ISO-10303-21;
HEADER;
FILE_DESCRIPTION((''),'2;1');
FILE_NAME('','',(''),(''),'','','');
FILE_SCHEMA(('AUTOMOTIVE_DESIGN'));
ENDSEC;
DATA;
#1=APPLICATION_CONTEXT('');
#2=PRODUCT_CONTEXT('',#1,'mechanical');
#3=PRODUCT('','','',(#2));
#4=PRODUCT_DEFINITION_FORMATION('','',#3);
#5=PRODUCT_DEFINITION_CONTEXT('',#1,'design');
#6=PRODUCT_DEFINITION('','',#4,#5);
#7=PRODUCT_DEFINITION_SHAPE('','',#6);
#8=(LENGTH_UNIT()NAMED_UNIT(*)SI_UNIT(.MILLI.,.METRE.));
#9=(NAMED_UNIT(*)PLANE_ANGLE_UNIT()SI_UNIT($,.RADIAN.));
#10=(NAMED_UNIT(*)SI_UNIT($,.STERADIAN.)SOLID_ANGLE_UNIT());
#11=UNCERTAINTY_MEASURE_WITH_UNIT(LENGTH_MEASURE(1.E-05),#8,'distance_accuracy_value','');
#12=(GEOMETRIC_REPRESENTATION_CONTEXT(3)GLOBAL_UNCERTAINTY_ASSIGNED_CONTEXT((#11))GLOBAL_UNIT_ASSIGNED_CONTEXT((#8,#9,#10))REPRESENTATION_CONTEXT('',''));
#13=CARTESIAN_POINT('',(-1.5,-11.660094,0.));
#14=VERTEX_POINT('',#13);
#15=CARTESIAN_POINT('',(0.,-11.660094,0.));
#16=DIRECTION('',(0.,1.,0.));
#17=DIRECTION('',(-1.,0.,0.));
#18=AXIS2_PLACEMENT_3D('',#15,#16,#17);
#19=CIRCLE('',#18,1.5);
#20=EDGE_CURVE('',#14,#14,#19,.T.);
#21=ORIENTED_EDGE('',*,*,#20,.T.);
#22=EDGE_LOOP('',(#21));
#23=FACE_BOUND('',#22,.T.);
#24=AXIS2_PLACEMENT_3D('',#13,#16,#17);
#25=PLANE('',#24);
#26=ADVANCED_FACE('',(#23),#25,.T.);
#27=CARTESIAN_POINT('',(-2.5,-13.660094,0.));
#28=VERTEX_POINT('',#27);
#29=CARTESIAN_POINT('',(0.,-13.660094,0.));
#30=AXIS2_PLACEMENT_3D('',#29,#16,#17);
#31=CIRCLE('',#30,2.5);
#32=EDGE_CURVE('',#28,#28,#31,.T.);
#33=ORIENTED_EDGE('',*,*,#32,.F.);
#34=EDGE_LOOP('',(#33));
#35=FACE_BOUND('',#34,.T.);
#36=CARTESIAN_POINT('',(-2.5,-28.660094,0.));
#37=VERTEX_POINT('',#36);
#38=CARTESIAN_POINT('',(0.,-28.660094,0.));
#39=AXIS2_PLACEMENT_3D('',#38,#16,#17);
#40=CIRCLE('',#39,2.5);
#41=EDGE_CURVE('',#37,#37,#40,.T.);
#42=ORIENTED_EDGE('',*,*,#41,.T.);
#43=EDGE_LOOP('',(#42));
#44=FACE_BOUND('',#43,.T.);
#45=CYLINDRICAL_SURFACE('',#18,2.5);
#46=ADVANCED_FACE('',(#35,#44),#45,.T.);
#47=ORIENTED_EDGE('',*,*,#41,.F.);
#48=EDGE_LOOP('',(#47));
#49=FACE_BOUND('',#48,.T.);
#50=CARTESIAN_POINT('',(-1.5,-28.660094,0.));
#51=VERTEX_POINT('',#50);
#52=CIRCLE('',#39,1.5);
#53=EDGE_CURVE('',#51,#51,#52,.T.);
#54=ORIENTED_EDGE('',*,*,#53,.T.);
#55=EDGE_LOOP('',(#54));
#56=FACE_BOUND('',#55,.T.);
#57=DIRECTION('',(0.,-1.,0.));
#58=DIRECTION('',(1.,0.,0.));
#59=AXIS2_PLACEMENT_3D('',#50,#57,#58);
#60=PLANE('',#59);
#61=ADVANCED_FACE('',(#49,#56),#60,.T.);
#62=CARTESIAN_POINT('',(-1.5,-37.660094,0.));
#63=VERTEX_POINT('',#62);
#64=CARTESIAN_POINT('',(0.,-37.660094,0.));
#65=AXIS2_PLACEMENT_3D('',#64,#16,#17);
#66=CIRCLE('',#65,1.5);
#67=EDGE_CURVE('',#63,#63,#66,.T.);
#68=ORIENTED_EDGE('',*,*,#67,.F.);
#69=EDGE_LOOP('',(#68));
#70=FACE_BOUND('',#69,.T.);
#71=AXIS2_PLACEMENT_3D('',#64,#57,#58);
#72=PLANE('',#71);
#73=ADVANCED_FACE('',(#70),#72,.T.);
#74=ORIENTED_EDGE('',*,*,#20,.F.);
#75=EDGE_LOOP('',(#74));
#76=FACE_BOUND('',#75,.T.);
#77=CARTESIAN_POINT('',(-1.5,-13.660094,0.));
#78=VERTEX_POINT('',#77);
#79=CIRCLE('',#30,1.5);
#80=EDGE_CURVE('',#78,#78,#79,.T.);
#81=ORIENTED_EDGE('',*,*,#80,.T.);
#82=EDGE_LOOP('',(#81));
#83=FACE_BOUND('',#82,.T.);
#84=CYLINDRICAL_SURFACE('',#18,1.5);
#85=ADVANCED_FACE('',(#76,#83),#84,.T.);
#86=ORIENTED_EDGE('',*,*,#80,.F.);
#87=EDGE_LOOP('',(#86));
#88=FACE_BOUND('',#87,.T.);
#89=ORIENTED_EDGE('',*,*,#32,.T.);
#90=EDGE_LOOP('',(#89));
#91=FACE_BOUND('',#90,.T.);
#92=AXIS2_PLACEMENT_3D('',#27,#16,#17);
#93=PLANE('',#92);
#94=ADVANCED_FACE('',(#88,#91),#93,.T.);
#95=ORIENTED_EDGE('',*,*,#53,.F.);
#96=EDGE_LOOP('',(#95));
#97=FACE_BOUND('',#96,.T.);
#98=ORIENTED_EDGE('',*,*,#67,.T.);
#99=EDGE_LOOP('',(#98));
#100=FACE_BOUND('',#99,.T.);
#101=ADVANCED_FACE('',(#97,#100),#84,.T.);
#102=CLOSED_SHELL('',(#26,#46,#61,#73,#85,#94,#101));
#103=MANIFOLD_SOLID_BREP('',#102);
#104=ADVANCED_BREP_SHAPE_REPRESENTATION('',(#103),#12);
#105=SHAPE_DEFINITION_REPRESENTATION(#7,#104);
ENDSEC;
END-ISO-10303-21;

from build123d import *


with BuildPart() as part:
    # Sketch1 → Revolve1 (revolve)
    with BuildSketch(Plane.XY):
        Polygon((0, -11.660094277), (0, -37.660094277), (-1.5, -37.660094277), (-1.5, -28.660094277), (-2.5, -28.660094277), (-2.5, -13.660094277), (-1.5, -13.660094277), (-1.5, -11.660094277), align=None)
    revolve(axis=Axis((0, -11.660094277, 0), (0, -1, 0)))


solid = part.part
